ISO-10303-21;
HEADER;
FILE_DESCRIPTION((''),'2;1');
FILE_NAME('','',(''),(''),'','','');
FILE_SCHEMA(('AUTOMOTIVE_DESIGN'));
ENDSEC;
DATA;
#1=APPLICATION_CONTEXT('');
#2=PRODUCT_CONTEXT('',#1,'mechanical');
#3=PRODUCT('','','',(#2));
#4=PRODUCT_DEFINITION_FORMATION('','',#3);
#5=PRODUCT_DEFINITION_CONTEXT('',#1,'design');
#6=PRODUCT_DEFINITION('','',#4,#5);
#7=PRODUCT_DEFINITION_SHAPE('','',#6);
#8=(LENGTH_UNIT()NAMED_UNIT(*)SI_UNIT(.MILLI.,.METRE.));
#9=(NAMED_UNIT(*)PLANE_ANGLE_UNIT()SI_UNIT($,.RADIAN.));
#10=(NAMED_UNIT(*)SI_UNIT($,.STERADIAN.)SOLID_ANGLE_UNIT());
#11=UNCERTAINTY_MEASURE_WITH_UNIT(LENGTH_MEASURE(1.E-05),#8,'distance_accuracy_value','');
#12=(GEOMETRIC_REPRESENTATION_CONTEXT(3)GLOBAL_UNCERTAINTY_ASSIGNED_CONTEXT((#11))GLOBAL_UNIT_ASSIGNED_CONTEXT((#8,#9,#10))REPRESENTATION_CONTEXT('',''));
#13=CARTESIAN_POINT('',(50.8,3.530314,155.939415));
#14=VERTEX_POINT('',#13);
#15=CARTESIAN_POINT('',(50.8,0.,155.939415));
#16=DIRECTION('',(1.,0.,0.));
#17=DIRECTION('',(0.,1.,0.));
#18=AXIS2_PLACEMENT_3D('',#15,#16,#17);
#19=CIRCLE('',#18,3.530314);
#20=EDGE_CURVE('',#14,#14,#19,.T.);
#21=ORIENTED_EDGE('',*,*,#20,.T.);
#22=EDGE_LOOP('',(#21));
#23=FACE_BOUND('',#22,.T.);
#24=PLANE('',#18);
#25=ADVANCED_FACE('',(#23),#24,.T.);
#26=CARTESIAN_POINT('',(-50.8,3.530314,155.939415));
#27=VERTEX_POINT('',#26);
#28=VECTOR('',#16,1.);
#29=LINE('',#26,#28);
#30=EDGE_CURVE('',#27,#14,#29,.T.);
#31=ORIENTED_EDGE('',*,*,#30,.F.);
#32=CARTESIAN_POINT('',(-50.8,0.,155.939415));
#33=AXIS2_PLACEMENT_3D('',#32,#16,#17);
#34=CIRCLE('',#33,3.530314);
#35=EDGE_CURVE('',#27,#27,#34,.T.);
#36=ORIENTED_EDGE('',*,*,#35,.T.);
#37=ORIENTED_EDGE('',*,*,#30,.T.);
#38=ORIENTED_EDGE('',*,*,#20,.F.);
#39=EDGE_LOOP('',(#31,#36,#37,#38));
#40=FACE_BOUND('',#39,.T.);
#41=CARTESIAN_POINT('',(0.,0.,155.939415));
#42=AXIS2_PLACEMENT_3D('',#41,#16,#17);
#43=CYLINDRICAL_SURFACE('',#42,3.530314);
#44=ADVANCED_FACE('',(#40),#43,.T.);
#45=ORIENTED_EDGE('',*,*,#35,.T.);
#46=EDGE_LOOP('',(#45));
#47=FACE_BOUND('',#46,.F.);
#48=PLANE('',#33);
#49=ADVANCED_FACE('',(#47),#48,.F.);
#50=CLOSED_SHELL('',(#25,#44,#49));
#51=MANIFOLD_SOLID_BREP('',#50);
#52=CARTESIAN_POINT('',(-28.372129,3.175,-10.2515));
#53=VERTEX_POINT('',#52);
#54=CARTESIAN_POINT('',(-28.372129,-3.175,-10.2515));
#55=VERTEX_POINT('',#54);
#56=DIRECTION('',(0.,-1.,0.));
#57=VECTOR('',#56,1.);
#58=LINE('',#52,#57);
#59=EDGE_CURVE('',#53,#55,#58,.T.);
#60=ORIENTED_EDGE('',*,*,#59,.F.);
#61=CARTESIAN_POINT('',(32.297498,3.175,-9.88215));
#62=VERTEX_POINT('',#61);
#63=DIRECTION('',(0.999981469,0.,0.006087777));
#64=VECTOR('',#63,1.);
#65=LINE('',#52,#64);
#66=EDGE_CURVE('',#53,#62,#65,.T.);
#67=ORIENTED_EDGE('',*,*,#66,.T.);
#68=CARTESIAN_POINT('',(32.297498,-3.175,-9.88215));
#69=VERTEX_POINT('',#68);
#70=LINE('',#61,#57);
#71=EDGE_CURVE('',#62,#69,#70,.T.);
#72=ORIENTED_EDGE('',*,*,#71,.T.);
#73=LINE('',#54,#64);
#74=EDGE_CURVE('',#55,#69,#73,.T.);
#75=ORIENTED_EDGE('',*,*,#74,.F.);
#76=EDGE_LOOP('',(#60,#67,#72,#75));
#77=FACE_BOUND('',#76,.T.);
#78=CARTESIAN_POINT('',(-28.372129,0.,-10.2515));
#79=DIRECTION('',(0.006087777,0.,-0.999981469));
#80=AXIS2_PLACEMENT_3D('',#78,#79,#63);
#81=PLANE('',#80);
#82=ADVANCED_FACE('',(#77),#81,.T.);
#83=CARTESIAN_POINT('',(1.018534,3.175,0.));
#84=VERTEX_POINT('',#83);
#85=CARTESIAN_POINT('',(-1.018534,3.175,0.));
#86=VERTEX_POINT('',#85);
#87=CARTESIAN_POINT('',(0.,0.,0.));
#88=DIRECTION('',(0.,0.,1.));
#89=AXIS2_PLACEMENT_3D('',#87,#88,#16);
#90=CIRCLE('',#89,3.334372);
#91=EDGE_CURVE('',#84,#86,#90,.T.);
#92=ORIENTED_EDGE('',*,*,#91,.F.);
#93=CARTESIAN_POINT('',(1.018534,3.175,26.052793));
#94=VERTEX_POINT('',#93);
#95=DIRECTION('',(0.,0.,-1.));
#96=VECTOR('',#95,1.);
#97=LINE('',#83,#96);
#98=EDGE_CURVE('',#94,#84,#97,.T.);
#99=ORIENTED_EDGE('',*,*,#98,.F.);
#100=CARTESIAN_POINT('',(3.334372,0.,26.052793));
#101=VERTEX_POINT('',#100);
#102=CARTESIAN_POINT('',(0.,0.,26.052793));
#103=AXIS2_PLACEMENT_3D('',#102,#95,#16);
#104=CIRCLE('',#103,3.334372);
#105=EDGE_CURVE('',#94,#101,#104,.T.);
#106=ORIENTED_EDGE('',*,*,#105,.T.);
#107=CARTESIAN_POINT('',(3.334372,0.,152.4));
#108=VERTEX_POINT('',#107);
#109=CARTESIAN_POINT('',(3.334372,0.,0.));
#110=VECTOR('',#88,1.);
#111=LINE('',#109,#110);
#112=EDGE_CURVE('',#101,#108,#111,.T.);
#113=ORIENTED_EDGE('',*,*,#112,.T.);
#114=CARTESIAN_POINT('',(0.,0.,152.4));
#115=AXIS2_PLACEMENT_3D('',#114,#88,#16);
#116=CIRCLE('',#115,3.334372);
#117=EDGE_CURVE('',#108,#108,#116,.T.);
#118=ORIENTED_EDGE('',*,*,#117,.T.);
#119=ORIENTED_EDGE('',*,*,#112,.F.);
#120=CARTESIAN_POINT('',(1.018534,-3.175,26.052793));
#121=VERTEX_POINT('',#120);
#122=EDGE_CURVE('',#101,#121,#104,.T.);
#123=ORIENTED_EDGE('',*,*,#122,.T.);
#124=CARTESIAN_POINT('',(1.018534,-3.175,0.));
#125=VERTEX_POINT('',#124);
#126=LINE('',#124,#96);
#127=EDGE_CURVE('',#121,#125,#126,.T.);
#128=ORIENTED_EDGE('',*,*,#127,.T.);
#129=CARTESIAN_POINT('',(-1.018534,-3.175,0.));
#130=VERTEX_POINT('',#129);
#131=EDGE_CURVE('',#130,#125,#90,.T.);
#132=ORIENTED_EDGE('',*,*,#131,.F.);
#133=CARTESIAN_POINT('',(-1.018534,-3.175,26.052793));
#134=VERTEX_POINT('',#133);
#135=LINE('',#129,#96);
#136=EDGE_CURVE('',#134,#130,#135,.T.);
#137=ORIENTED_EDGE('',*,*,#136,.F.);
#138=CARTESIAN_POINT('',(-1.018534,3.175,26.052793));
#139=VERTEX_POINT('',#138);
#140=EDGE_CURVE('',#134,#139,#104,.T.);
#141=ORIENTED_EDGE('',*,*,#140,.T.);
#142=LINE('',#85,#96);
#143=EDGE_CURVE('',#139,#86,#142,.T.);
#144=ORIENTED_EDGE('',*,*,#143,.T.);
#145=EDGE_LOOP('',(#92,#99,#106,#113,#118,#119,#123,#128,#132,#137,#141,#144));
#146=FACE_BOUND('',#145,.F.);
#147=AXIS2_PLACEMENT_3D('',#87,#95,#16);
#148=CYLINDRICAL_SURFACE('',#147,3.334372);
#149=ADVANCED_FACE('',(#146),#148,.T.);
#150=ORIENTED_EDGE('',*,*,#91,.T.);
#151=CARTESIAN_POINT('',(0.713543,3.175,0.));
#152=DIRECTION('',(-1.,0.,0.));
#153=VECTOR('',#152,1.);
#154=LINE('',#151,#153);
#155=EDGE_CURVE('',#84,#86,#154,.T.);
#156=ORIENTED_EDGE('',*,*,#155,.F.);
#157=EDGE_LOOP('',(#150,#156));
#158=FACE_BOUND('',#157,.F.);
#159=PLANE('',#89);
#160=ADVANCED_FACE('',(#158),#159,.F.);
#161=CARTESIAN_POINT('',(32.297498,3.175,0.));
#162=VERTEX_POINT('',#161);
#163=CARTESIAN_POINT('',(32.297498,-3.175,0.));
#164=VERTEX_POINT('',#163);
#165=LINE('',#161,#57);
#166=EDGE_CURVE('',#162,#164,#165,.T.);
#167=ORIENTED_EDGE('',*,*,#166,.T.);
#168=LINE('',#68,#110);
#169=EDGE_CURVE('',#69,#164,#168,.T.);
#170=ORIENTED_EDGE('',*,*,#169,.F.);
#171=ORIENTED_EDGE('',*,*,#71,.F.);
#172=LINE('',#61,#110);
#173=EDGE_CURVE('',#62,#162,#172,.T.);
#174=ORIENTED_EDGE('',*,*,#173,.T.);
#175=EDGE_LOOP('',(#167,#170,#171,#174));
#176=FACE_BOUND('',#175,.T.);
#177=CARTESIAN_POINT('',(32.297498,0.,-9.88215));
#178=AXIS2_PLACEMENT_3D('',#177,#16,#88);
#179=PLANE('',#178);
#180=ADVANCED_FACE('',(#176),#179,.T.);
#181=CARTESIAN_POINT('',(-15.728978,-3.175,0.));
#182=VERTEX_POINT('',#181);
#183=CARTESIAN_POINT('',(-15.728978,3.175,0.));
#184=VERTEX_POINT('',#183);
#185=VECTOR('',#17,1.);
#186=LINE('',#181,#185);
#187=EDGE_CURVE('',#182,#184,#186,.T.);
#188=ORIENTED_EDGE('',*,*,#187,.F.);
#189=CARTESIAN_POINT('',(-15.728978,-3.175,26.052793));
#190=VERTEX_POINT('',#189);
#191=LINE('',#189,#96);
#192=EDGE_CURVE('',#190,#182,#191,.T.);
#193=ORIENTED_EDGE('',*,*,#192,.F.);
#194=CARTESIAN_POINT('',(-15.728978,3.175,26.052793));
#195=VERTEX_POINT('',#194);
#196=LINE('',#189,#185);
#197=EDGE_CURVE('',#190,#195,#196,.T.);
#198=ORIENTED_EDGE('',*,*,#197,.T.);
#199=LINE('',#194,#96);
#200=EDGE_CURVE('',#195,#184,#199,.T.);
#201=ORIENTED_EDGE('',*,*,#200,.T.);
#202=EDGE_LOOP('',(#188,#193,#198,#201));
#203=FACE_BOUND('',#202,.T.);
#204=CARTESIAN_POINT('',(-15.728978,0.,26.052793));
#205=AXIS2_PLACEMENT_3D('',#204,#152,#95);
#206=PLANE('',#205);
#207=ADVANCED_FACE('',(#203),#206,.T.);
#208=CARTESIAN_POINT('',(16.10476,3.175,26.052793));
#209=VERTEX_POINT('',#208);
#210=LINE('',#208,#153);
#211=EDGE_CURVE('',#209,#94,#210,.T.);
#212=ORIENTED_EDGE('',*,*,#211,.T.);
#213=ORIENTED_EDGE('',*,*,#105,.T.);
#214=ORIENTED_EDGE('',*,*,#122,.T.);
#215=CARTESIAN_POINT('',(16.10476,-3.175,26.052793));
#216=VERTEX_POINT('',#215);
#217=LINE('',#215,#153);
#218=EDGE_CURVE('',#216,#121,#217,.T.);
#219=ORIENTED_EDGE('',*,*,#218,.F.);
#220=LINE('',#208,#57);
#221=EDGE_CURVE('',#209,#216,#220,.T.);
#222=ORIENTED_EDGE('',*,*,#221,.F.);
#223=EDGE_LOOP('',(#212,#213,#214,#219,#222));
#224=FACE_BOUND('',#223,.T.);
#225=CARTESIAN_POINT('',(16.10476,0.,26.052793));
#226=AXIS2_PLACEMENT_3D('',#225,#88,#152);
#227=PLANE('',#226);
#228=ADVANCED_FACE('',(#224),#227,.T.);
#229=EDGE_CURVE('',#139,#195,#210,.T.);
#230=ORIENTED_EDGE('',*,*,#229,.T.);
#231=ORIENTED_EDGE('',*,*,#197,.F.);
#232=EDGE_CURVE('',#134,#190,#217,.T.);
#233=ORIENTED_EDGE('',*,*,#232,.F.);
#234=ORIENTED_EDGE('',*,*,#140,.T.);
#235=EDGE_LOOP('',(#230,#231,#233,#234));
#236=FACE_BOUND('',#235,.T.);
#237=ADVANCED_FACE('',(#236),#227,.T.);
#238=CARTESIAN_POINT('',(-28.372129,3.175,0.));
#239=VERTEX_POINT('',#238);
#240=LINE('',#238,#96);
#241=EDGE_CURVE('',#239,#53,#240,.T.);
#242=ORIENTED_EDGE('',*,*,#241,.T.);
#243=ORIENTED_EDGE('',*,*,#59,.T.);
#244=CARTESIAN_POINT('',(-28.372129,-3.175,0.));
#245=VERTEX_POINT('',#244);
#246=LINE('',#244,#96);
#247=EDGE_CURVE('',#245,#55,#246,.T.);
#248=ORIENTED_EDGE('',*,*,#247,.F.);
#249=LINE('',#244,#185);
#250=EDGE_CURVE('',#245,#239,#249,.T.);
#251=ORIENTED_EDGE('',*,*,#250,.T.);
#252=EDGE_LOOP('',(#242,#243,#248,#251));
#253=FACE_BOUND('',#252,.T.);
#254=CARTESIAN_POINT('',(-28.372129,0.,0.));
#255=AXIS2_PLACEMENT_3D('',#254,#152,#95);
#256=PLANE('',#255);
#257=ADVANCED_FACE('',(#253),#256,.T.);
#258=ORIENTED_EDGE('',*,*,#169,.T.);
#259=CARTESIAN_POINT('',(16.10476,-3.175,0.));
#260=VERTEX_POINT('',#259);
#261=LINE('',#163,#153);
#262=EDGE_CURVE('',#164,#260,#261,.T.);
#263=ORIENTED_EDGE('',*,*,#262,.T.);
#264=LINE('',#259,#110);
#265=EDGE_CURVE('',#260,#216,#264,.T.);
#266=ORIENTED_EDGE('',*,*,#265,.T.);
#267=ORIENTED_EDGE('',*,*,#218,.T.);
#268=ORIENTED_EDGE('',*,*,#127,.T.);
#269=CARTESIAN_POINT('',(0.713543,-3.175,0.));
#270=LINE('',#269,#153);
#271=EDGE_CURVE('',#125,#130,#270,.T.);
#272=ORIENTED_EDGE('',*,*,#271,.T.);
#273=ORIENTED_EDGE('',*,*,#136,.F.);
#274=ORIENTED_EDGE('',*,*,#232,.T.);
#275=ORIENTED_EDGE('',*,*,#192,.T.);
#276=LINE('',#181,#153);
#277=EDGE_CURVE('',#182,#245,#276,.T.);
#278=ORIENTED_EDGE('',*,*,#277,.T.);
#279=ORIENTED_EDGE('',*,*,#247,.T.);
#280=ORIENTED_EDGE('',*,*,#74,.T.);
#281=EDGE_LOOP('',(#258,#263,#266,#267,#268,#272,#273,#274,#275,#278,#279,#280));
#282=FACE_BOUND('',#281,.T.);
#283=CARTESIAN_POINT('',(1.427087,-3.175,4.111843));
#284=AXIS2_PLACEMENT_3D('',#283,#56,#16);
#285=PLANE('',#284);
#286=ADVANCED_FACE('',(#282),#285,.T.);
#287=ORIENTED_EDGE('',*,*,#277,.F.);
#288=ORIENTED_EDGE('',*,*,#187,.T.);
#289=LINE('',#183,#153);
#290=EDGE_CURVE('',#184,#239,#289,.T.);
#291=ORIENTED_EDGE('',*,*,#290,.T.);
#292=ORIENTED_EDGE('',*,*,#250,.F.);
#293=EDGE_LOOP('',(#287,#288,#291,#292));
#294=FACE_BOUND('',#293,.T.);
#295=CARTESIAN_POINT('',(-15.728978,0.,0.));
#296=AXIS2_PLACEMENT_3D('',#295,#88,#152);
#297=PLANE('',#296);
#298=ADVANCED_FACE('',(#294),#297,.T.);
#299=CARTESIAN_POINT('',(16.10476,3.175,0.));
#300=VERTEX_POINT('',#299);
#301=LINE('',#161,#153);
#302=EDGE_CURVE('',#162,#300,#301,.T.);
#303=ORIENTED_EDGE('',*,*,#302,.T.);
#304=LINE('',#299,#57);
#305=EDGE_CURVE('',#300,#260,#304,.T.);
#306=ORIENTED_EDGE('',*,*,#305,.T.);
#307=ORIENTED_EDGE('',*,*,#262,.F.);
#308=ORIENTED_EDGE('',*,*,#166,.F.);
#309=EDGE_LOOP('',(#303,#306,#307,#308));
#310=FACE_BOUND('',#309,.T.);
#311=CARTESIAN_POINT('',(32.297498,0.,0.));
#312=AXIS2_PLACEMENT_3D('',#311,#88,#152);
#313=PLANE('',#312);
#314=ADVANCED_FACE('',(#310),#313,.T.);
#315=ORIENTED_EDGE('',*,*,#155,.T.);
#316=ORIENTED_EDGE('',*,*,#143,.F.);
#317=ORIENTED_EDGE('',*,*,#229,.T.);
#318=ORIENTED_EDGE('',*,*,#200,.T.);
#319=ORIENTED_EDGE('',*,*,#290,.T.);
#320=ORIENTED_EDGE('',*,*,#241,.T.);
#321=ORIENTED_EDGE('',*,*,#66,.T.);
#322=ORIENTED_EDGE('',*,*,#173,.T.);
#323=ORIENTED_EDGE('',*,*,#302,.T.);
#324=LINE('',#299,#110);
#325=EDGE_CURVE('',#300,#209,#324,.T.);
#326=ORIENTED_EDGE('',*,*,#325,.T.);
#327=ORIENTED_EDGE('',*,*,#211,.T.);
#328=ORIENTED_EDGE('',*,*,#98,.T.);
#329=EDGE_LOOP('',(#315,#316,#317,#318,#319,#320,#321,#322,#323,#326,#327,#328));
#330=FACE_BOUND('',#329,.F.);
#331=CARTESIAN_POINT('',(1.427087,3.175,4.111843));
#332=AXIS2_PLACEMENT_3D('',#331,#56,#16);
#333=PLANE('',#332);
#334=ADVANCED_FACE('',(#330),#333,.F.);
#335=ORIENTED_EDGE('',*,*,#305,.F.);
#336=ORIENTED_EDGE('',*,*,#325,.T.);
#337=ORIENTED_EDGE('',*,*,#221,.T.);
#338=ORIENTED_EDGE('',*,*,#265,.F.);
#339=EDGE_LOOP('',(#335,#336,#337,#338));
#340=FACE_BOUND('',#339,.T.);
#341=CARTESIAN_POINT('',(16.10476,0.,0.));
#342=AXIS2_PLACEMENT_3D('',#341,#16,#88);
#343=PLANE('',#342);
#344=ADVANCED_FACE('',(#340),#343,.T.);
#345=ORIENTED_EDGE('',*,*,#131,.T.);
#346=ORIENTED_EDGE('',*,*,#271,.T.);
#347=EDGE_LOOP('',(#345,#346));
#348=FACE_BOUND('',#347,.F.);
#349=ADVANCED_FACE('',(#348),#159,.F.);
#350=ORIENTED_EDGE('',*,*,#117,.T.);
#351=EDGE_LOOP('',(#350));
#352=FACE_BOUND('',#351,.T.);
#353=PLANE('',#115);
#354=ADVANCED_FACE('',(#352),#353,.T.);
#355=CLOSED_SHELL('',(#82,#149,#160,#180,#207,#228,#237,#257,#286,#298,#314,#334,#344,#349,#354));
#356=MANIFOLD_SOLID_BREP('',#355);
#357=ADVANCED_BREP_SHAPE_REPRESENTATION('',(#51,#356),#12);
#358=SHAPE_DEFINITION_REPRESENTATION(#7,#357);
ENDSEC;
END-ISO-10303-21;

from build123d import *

# Parameters (mm, degrees)
F1_DEPTH = 3.175
F2_R     = 3.334372
F3_DEPTH = 152.4
F4_R     = 3.530314
F5_DEPTH = 50.8


with BuildPart() as f1:
    # F0 (on Front) → F1 (new body, symmetric)
    with BuildSketch(Plane.XZ):
        Polygon((-28.372129, 0), (-28.372129, -10.2515), (32.297498, -9.88215), (32.297498, 0), (16.10476, 0), (16.10476, 26.052793), (-15.728978, 26.052793), (-15.728978, 0), align=None)
    extrude(amount=F1_DEPTH, both=True)

    # F2 (on Top) → F3 (join)
    with BuildSketch(Plane.XY):
        Circle(F2_R)
    extrude(amount=F3_DEPTH)


with BuildPart() as f5:
    # F4 (on Right) → F5 (new body, symmetric)
    with BuildSketch(Plane.YZ):
        with Locations((0, 155.939415)):
            Circle(F4_R)
    extrude(amount=F5_DEPTH, both=True)


solid = Compound([f1.part, f5.part])
